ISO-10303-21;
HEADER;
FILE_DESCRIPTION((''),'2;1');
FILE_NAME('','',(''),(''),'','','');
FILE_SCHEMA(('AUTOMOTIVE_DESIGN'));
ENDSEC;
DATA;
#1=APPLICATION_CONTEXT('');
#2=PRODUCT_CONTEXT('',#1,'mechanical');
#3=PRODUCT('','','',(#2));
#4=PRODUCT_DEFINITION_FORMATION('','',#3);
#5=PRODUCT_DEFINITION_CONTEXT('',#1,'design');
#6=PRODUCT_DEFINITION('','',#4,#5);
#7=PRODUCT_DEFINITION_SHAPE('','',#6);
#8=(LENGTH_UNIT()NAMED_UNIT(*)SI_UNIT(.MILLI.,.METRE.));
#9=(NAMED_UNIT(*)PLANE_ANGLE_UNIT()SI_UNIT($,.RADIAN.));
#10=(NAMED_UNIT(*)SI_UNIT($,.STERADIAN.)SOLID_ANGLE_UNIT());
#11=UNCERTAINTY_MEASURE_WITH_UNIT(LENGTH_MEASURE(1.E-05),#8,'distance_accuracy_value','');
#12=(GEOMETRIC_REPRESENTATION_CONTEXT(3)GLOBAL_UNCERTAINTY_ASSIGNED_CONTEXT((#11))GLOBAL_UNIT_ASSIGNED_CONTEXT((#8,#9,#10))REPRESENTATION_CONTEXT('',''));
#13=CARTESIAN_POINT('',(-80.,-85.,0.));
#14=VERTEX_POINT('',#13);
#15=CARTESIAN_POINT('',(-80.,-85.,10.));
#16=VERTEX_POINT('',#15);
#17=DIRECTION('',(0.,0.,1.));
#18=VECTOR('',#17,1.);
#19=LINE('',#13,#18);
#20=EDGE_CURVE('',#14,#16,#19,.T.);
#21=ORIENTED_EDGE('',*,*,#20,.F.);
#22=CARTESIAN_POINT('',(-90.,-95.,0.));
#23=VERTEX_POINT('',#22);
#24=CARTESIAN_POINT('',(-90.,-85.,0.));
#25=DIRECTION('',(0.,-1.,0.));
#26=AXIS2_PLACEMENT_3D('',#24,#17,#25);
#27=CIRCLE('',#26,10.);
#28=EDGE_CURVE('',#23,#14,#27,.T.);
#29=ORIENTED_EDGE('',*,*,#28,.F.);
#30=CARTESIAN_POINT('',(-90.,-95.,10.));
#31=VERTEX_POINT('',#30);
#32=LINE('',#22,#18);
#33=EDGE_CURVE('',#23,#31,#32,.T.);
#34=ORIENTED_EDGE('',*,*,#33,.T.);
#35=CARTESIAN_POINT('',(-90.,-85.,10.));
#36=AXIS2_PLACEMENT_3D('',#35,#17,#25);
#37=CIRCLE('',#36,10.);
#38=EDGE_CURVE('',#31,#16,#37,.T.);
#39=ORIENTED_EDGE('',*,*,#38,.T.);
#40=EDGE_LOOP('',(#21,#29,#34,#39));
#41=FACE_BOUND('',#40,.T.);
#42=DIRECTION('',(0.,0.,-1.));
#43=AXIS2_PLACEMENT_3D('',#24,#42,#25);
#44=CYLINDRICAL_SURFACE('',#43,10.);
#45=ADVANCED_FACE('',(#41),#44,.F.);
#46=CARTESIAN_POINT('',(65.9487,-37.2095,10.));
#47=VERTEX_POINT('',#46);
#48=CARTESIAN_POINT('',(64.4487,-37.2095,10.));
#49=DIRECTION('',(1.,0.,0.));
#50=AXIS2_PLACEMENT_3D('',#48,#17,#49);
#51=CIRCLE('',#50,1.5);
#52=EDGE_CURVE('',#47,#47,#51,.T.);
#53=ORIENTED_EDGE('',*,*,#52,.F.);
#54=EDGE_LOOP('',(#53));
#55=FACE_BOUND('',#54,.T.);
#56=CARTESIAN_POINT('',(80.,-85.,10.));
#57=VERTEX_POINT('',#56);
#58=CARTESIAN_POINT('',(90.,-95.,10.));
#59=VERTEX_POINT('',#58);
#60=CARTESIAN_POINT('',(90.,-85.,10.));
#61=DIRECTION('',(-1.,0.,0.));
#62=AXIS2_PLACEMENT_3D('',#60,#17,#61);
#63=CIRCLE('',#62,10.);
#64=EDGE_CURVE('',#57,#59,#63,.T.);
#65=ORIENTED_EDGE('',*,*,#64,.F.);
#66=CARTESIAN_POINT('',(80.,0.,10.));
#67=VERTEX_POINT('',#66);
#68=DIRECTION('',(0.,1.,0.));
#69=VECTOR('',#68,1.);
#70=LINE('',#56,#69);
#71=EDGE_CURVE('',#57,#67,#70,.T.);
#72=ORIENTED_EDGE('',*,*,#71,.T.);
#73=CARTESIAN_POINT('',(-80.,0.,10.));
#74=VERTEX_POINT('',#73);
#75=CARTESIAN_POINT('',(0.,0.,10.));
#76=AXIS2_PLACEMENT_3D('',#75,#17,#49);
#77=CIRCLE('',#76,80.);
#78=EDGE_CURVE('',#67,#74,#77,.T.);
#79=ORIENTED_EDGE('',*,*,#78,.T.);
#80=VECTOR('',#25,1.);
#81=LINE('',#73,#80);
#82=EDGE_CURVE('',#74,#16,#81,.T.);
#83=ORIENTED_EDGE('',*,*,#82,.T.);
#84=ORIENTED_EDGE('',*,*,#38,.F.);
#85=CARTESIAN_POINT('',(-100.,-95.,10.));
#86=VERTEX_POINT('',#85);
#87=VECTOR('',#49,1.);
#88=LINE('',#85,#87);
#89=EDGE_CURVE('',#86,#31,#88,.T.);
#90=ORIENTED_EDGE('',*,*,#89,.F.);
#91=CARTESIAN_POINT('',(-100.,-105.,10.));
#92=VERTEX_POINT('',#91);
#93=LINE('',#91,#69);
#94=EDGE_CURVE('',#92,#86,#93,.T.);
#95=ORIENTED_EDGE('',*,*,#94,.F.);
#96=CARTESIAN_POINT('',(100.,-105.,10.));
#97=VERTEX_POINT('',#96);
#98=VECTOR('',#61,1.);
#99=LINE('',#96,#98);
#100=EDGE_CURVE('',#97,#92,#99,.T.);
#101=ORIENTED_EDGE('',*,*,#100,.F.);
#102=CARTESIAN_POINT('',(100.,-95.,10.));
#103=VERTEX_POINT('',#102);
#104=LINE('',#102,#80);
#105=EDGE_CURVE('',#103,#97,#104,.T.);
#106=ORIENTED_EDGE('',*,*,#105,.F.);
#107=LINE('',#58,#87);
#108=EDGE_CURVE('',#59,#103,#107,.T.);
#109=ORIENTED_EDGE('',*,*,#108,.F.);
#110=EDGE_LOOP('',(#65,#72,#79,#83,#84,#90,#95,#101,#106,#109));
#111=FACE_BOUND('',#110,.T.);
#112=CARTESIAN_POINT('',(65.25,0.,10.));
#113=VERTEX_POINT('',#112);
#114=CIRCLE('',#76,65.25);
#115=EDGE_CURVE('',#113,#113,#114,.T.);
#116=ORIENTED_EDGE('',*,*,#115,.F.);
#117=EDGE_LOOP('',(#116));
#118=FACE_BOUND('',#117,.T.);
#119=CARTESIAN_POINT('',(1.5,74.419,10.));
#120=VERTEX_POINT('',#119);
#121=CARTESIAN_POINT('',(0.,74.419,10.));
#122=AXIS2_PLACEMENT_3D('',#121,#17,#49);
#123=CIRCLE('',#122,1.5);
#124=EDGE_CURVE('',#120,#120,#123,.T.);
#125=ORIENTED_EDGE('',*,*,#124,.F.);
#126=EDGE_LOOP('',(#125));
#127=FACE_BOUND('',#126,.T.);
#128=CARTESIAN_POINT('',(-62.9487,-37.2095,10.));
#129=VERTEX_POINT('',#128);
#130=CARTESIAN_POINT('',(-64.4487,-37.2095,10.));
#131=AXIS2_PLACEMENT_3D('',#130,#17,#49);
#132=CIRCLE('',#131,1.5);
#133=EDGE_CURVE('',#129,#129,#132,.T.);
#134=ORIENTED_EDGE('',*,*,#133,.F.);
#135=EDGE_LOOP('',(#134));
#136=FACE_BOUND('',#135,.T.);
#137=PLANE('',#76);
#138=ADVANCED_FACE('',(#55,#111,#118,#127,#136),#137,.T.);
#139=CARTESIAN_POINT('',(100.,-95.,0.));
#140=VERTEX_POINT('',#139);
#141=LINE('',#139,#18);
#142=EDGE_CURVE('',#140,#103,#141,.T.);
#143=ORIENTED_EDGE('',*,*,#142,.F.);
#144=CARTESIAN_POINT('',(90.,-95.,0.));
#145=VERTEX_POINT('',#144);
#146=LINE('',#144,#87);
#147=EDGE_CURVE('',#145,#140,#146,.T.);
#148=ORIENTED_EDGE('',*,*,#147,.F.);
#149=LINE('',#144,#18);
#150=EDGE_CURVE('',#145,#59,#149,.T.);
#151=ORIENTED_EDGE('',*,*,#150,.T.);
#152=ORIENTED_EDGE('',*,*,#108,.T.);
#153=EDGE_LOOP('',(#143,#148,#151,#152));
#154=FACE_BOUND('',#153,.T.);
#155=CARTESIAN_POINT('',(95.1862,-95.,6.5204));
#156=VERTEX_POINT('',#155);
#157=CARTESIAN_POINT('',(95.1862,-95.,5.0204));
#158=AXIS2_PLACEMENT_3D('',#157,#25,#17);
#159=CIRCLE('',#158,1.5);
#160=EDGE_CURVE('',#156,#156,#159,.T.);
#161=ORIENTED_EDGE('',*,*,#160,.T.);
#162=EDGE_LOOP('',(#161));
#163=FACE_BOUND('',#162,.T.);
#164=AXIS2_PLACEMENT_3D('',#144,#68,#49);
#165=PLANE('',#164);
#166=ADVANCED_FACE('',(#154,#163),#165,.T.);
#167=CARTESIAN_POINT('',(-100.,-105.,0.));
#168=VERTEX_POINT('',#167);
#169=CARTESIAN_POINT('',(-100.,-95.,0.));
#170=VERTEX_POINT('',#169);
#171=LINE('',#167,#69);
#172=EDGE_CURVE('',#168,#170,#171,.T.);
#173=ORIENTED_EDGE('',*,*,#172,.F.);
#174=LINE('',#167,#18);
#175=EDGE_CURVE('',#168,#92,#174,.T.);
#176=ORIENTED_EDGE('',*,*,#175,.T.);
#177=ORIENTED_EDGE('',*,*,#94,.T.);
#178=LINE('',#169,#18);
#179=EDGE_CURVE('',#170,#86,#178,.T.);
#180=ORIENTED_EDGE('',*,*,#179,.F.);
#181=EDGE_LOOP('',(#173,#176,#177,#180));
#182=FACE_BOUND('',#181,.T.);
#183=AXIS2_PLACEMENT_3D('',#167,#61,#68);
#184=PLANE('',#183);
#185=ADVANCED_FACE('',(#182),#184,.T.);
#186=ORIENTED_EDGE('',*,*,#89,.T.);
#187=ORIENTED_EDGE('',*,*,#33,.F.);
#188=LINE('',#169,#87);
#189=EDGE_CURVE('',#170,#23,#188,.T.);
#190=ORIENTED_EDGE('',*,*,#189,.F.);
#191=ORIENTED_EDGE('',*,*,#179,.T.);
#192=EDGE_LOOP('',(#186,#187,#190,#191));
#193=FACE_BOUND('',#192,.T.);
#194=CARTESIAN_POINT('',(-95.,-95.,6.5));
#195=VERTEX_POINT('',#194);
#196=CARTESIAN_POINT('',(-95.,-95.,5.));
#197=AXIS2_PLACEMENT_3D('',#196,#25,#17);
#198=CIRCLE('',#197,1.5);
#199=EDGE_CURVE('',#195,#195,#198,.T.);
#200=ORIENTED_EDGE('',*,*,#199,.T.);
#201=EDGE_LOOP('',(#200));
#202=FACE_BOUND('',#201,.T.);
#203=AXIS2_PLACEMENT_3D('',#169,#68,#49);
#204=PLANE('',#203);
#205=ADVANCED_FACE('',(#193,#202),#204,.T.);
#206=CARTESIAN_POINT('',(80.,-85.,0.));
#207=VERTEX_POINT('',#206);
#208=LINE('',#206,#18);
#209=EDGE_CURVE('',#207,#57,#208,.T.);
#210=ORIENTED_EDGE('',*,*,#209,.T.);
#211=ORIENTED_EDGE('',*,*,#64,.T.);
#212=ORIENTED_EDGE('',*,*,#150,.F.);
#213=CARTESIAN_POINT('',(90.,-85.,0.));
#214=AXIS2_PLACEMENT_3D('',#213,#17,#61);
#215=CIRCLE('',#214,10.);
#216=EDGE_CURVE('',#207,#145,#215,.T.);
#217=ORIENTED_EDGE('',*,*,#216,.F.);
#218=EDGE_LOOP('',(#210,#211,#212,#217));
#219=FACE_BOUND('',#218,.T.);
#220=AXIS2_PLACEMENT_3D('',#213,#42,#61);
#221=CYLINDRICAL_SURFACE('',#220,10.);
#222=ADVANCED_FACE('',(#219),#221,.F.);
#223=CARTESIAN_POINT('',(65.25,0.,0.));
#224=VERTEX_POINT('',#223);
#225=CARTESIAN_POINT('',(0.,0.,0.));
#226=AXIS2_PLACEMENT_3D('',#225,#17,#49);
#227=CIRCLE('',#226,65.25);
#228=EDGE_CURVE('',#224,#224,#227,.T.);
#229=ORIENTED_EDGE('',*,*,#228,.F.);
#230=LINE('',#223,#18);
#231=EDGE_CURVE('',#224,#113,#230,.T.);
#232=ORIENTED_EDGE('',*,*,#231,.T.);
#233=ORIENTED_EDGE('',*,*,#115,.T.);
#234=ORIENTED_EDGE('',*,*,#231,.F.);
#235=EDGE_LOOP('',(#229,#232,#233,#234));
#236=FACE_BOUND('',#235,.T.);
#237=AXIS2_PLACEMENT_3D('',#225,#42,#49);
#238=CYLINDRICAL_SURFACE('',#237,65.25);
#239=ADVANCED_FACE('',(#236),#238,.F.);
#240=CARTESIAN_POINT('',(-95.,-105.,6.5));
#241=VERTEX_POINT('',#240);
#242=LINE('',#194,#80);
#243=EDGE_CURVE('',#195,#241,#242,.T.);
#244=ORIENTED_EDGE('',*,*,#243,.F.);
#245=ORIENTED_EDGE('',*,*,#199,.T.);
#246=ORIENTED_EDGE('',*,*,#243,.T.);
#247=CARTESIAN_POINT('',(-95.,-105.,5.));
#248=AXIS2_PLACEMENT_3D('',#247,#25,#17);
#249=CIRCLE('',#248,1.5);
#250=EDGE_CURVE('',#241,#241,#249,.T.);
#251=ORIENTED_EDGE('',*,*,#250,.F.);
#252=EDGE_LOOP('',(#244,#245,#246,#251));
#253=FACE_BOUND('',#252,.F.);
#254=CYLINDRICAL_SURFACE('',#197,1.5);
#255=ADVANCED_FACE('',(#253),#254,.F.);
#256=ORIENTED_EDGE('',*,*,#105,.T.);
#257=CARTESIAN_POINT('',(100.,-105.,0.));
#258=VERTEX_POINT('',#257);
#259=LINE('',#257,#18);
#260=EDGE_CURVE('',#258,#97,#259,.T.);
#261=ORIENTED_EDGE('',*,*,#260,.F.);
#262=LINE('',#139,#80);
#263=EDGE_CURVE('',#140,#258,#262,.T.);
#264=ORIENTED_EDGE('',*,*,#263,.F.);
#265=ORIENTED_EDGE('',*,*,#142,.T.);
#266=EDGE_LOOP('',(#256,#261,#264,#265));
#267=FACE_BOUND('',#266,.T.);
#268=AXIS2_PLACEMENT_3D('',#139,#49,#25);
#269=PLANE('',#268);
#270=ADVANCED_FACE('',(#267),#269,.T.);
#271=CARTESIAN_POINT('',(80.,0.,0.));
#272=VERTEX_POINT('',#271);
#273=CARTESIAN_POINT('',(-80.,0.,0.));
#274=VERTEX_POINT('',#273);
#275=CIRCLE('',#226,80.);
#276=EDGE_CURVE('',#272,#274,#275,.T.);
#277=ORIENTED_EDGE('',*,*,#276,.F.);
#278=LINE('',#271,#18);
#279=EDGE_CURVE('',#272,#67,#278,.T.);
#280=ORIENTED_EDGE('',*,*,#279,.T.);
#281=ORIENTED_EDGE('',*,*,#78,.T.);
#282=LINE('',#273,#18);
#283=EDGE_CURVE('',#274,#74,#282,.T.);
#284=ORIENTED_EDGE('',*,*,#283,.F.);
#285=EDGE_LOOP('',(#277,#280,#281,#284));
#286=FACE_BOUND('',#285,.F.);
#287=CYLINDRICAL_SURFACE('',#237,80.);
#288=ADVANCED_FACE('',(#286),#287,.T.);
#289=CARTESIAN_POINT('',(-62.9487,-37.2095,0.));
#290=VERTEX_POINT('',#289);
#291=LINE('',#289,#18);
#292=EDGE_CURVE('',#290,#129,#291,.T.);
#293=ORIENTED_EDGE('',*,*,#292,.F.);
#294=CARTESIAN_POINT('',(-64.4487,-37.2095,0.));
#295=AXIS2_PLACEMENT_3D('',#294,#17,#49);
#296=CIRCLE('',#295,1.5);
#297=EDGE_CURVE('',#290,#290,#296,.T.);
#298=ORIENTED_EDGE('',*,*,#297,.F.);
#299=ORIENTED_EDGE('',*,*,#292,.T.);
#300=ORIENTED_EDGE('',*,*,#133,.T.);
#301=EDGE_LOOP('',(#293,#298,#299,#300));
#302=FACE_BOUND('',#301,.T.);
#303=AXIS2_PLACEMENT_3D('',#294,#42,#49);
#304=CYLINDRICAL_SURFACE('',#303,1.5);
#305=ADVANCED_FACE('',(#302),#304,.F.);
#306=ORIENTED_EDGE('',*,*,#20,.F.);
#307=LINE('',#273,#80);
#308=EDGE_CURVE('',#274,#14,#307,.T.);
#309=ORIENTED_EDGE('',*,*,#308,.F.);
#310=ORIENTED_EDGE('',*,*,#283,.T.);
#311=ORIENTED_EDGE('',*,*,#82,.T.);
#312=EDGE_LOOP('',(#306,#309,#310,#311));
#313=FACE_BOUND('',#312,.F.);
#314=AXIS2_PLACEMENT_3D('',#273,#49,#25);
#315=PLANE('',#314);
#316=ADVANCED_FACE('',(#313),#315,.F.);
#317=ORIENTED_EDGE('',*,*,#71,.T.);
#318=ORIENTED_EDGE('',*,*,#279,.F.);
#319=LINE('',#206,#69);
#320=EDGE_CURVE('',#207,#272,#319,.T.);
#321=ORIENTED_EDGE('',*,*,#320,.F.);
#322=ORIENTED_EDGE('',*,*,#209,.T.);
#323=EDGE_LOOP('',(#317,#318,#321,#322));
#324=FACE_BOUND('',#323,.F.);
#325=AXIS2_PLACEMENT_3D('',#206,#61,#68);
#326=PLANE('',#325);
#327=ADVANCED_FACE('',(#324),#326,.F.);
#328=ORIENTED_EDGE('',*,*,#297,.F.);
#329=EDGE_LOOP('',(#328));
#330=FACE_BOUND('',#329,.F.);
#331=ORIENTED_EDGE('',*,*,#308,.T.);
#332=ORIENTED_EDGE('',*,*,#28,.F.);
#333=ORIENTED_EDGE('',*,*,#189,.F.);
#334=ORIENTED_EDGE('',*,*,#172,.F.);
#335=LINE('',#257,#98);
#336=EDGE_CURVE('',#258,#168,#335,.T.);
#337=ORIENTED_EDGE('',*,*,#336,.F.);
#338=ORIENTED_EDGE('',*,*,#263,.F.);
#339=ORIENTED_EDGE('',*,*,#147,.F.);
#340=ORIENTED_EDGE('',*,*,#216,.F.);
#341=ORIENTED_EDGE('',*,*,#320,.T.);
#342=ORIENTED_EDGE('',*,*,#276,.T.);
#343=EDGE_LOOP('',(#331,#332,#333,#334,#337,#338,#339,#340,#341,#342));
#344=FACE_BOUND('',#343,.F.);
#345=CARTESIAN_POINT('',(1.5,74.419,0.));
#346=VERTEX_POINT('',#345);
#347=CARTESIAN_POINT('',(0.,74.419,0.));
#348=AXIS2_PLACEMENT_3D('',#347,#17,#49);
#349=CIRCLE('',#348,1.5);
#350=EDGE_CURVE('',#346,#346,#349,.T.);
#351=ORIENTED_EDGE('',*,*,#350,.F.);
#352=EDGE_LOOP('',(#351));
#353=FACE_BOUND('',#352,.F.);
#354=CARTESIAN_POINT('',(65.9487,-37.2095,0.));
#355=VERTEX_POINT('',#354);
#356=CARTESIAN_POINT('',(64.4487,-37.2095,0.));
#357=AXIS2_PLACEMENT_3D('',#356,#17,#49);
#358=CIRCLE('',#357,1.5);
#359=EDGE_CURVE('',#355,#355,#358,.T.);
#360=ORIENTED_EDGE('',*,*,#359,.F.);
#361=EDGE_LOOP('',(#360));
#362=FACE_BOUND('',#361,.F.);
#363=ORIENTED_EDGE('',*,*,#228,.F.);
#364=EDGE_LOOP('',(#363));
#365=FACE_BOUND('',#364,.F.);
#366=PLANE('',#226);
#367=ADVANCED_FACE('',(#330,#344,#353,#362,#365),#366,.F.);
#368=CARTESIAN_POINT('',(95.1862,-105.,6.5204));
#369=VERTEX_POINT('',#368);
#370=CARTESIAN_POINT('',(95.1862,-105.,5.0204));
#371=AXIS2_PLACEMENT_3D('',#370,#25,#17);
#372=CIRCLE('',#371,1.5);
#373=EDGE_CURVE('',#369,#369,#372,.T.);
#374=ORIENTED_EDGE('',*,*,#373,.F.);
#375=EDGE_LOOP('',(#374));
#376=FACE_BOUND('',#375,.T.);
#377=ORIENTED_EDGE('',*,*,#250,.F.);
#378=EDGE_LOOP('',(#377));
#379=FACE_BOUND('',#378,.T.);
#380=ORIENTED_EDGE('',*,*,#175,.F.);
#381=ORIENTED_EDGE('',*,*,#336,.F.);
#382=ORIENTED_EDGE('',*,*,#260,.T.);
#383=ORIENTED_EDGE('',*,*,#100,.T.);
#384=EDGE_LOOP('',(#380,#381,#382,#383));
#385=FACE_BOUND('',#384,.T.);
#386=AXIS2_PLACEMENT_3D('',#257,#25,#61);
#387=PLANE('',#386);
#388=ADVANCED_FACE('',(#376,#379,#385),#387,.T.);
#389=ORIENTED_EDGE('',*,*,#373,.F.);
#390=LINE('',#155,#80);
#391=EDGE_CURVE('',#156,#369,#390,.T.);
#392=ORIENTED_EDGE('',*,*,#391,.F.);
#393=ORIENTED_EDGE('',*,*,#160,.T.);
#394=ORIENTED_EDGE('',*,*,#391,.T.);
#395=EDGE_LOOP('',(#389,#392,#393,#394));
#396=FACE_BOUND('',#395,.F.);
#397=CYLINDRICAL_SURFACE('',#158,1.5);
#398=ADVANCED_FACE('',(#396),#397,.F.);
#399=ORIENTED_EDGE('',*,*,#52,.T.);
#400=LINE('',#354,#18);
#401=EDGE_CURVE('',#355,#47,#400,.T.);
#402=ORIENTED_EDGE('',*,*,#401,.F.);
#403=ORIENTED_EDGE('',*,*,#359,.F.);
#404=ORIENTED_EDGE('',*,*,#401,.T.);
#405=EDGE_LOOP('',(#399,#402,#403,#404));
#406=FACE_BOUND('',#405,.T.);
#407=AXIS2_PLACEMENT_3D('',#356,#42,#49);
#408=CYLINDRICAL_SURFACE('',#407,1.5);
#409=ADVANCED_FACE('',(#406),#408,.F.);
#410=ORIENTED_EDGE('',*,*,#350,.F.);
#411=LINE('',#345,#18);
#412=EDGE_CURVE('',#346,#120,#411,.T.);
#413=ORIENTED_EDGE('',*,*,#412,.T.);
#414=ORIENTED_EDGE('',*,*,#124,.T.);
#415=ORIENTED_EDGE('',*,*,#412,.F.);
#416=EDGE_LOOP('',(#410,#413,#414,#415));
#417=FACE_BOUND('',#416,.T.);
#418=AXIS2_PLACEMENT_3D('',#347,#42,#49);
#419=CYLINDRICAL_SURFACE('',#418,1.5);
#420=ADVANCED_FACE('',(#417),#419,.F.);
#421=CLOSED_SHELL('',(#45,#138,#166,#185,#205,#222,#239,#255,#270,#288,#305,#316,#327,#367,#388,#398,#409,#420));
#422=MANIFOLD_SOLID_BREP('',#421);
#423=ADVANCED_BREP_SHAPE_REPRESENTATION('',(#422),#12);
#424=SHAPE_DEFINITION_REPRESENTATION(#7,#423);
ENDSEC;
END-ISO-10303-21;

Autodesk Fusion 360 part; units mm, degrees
sketch "Sketch1" plane through (0, 0, 0) normal (0, 0, 1) x (1, 0, 0)
  circle A0 centre (0, 0) radius 65.25
  circle A1 centre (0, 0) radius 74.419 construction
  circle A2 centre (0, 74.419) radius 1.5
  circle A3 centre (-64.4487, -37.2095) radius 1.5
  circle A4 centre (64.4487, -37.2095) radius 1.5
  circle A5 centre (0, 0) radius 80
  line L0 (-80, 0) -> (80, 0) construction
  line L1 (-80, 0) -> (-80, -85)
  line L2 (80, -85) -> (80, 0)
  line L3 (-80, -95) -> (-100, -95) construction
  line L4 (-100, -95) -> (-90, -95)
  line L5 (100, -95) -> (100, -105)
  line L6 (100, -105) -> (-100, -105)
  line L7 (-100, -105) -> (-100, -95)
  arc A6 (-90, -95) -> (-80, -85) centre (-90, -85) ccw
  line L8 (90, -95) -> (100, -95)
  arc A7 (80, -85) -> (90, -95) centre (90, -85) ccw
  dimension "d1" = 130.5
  dimension "d4" = 148.838
  dimension "d5" = 3
  dimension "d7" = 360
  dimension "d8" = 160
  dimension "d10" = 200
  dimension "d11" = 10
  dimension "d12" = 10
  dimension "d13" = 10
  dimension "d22" = 105
extrude "Extrude1" add sketch "Sketch1" along normal blind 10
hole "Hole1" at (-95, -95, 5) direction (0, -1, 0) diameter 3 depth 10 tip angle 118
hole "Hole2" at (95.1862, -95, 5.0204) direction (0, -1, 0) diameter 3 depth 10 tip angle 118
equation "d1 = GearboxDia + Tollerance"
equation "GearboxDia = 130 mm"
equation "Tollerance = 0.5 mm"
equation "d4 = ( 74.419 * 2 ) * 1 mm"
equation "d8 = GearboxDia + 30 mm"
equation "d10 = d8 + 40 mm"
equation "d22 = AxleHieght"
equation "AxleHieght = 105 mm"
